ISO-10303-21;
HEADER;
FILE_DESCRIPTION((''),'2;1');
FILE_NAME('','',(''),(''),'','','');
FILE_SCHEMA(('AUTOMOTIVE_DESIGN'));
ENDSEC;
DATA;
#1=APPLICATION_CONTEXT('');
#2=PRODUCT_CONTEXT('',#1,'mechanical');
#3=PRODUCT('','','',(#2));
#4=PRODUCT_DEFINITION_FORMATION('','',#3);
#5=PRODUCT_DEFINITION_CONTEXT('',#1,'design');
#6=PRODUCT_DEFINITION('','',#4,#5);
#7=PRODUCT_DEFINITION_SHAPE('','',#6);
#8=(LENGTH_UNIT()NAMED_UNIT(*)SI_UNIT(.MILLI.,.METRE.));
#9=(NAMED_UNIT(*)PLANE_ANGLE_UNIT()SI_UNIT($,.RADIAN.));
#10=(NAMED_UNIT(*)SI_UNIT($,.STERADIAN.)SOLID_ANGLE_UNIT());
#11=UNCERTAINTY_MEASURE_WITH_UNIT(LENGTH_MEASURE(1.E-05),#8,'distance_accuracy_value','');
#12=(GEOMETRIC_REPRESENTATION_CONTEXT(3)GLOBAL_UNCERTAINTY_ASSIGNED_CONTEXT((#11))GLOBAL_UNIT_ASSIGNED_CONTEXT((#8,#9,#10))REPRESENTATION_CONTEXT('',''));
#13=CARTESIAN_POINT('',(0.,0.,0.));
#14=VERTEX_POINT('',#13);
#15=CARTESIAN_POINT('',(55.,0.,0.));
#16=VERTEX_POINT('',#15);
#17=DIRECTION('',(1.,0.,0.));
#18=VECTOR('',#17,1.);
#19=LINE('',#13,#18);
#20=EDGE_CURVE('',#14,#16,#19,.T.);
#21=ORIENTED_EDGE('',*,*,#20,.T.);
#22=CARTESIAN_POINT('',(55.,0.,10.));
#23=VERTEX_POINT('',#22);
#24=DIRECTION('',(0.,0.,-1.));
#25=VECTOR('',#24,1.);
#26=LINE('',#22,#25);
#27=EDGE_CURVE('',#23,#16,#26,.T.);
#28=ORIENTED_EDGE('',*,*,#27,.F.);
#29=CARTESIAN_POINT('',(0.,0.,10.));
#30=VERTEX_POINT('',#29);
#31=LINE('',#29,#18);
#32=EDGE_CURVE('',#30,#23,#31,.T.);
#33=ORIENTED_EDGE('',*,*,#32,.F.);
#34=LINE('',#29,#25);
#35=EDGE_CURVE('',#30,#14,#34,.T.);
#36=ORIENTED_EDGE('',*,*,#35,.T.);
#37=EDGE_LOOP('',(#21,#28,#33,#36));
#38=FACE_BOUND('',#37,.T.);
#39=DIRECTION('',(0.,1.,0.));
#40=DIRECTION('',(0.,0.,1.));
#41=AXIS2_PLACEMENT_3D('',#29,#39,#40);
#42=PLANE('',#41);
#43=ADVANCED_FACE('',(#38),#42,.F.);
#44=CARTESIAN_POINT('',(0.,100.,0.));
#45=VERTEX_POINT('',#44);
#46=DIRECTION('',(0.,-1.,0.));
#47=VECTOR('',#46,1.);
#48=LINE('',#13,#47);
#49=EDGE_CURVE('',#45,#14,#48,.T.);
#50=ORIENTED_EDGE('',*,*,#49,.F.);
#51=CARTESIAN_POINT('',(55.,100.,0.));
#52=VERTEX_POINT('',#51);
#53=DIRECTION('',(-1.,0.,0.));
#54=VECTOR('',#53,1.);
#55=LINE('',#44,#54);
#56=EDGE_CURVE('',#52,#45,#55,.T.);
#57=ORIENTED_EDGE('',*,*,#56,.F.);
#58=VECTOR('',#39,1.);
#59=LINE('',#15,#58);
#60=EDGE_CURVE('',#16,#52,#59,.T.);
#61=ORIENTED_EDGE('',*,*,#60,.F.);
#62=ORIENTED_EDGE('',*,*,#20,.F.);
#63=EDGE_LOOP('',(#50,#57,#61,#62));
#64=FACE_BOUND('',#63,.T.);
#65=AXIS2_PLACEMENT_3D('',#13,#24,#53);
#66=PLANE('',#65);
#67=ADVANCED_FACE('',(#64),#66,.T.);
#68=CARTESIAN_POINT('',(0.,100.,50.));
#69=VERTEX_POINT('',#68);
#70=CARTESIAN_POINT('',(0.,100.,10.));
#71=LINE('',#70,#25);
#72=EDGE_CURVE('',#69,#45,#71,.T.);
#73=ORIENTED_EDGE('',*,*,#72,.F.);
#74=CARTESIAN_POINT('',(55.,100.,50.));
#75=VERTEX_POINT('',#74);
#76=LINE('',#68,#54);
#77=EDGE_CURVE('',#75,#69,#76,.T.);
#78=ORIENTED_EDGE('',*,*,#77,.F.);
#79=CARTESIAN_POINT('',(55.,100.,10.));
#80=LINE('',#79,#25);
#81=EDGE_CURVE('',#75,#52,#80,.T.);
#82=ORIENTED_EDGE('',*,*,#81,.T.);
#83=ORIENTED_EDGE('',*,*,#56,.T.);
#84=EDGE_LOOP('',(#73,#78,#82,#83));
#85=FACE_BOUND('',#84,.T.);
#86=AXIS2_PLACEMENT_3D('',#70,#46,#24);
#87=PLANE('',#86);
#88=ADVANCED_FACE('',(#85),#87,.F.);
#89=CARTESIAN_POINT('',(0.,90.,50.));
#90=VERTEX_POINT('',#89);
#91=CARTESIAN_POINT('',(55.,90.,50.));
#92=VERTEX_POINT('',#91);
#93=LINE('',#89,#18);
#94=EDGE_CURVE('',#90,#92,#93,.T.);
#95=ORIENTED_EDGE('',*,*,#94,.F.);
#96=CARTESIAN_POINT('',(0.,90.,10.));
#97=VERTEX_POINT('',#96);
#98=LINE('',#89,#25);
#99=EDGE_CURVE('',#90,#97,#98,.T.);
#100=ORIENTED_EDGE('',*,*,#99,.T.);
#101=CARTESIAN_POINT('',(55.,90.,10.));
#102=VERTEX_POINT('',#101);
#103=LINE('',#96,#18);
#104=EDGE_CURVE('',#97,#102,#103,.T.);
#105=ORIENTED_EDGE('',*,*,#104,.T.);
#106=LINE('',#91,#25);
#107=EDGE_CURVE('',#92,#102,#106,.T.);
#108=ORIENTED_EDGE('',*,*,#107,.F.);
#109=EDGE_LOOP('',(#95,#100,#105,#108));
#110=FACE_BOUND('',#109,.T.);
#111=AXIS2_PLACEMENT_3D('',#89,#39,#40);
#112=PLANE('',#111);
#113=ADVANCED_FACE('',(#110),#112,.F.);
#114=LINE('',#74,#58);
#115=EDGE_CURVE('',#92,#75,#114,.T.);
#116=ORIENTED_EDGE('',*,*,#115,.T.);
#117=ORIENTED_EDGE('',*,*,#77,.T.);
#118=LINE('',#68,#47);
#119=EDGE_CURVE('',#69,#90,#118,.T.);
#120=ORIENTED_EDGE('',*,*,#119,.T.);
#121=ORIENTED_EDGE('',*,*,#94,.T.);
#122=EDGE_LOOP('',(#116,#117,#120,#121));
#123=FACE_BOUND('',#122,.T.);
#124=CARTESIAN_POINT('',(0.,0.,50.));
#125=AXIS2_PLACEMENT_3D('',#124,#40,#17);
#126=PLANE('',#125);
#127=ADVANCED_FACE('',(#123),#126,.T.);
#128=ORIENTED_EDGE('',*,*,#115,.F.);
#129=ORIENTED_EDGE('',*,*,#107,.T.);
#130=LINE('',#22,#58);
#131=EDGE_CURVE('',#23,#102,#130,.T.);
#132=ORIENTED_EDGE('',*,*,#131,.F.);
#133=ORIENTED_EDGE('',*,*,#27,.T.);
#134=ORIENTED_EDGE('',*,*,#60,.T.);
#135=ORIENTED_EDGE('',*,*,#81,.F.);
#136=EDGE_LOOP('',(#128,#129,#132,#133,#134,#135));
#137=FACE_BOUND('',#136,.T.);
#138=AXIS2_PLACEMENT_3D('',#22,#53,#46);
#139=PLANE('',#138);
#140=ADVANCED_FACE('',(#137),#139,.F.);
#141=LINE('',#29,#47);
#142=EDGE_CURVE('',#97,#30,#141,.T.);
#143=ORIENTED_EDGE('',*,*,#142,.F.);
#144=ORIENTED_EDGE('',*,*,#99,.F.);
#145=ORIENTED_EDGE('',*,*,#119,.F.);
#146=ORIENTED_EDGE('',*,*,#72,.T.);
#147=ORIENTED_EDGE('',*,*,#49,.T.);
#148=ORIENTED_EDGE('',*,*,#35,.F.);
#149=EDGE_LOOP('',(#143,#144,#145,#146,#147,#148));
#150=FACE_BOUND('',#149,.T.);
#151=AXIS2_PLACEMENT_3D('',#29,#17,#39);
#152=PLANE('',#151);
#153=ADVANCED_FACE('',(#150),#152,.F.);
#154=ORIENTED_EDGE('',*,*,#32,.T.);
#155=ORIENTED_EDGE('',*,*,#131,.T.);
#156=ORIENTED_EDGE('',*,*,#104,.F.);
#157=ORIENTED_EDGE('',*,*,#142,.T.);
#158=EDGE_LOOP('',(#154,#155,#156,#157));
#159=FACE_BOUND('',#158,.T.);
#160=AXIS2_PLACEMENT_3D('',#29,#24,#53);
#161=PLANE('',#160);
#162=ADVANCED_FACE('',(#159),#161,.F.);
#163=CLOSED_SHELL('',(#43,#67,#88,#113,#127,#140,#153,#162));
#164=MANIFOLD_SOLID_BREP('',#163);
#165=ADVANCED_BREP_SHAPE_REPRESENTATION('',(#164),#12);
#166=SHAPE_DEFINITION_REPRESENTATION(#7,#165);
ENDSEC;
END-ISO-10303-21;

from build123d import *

# Parameters (mm, degrees)
SKETCH1_W           = 55
SKETCH1_H           = 100
BOSS_EXTRUDE1_DEPTH = 10
SKETCH2_W           = 55
SKETCH2_H           = 10
BOSS_EXTRUDE2_DEPTH = 40


with BuildPart() as part:
    # Sketch1 → Boss-Extrude1 (new body)
    with BuildSketch(Plane.XY):
        with Locations((27.5, 50)):
            Rectangle(SKETCH1_W, SKETCH1_H)
    extrude(amount=BOSS_EXTRUDE1_DEPTH)

    # Sketch2 → Boss-Extrude2 (add)
    with BuildSketch(Plane.XY.offset(10)):
        with Locations((27.5, 95)):
            Rectangle(SKETCH2_W, SKETCH2_H)
    extrude(amount=BOSS_EXTRUDE2_DEPTH)


solid = part.part
